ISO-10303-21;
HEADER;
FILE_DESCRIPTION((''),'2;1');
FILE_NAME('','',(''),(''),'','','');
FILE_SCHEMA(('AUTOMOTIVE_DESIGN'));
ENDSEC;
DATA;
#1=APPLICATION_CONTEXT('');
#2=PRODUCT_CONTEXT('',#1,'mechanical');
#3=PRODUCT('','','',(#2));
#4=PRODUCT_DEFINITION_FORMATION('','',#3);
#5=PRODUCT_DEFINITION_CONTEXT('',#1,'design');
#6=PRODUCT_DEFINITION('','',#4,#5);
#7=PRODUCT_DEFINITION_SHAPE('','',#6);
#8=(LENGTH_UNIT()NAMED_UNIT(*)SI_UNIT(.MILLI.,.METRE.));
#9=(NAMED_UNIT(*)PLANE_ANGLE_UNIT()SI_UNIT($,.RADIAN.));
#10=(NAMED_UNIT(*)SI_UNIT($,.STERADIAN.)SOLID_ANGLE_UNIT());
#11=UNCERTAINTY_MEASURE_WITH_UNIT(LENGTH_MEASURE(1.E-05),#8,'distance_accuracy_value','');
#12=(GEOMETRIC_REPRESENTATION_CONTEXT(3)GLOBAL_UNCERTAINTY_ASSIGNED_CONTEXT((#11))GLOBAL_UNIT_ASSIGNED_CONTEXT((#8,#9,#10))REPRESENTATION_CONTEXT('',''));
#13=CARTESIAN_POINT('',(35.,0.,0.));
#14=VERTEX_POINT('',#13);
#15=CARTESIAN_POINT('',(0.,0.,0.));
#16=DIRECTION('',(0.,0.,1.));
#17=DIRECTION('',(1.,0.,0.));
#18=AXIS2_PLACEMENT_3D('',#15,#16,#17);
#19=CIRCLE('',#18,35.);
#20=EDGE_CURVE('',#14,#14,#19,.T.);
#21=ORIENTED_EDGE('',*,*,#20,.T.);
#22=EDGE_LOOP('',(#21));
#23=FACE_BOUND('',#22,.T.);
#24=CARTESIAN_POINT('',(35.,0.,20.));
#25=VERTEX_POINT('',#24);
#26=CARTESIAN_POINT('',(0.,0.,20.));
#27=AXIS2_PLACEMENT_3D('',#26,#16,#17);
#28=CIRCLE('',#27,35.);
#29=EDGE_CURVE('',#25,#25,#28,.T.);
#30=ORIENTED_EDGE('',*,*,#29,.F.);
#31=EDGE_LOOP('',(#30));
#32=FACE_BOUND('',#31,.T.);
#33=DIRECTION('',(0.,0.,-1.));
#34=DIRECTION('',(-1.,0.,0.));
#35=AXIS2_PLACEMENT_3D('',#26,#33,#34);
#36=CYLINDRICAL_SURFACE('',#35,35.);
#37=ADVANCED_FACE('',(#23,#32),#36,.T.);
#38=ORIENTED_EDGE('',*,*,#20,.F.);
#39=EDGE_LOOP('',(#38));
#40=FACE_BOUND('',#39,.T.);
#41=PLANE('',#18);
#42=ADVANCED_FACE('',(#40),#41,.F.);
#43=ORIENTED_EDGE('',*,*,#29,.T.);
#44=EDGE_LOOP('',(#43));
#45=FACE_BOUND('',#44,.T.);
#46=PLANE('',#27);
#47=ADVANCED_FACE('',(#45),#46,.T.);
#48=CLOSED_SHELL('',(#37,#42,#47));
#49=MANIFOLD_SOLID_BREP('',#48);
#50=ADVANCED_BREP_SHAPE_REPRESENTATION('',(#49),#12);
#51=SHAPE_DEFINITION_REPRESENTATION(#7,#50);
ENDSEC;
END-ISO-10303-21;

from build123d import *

# Parameters (mm, degrees)
ESQUISSE1_R        = 35
BOSS_EXTRU_1_DEPTH = 20


with BuildPart() as part:
    # Esquisse1 → Boss.-Extru.1 (new body)
    with BuildSketch(Plane.XY):
        Circle(ESQUISSE1_R)
    extrude(amount=BOSS_EXTRU_1_DEPTH)


solid = part.part
